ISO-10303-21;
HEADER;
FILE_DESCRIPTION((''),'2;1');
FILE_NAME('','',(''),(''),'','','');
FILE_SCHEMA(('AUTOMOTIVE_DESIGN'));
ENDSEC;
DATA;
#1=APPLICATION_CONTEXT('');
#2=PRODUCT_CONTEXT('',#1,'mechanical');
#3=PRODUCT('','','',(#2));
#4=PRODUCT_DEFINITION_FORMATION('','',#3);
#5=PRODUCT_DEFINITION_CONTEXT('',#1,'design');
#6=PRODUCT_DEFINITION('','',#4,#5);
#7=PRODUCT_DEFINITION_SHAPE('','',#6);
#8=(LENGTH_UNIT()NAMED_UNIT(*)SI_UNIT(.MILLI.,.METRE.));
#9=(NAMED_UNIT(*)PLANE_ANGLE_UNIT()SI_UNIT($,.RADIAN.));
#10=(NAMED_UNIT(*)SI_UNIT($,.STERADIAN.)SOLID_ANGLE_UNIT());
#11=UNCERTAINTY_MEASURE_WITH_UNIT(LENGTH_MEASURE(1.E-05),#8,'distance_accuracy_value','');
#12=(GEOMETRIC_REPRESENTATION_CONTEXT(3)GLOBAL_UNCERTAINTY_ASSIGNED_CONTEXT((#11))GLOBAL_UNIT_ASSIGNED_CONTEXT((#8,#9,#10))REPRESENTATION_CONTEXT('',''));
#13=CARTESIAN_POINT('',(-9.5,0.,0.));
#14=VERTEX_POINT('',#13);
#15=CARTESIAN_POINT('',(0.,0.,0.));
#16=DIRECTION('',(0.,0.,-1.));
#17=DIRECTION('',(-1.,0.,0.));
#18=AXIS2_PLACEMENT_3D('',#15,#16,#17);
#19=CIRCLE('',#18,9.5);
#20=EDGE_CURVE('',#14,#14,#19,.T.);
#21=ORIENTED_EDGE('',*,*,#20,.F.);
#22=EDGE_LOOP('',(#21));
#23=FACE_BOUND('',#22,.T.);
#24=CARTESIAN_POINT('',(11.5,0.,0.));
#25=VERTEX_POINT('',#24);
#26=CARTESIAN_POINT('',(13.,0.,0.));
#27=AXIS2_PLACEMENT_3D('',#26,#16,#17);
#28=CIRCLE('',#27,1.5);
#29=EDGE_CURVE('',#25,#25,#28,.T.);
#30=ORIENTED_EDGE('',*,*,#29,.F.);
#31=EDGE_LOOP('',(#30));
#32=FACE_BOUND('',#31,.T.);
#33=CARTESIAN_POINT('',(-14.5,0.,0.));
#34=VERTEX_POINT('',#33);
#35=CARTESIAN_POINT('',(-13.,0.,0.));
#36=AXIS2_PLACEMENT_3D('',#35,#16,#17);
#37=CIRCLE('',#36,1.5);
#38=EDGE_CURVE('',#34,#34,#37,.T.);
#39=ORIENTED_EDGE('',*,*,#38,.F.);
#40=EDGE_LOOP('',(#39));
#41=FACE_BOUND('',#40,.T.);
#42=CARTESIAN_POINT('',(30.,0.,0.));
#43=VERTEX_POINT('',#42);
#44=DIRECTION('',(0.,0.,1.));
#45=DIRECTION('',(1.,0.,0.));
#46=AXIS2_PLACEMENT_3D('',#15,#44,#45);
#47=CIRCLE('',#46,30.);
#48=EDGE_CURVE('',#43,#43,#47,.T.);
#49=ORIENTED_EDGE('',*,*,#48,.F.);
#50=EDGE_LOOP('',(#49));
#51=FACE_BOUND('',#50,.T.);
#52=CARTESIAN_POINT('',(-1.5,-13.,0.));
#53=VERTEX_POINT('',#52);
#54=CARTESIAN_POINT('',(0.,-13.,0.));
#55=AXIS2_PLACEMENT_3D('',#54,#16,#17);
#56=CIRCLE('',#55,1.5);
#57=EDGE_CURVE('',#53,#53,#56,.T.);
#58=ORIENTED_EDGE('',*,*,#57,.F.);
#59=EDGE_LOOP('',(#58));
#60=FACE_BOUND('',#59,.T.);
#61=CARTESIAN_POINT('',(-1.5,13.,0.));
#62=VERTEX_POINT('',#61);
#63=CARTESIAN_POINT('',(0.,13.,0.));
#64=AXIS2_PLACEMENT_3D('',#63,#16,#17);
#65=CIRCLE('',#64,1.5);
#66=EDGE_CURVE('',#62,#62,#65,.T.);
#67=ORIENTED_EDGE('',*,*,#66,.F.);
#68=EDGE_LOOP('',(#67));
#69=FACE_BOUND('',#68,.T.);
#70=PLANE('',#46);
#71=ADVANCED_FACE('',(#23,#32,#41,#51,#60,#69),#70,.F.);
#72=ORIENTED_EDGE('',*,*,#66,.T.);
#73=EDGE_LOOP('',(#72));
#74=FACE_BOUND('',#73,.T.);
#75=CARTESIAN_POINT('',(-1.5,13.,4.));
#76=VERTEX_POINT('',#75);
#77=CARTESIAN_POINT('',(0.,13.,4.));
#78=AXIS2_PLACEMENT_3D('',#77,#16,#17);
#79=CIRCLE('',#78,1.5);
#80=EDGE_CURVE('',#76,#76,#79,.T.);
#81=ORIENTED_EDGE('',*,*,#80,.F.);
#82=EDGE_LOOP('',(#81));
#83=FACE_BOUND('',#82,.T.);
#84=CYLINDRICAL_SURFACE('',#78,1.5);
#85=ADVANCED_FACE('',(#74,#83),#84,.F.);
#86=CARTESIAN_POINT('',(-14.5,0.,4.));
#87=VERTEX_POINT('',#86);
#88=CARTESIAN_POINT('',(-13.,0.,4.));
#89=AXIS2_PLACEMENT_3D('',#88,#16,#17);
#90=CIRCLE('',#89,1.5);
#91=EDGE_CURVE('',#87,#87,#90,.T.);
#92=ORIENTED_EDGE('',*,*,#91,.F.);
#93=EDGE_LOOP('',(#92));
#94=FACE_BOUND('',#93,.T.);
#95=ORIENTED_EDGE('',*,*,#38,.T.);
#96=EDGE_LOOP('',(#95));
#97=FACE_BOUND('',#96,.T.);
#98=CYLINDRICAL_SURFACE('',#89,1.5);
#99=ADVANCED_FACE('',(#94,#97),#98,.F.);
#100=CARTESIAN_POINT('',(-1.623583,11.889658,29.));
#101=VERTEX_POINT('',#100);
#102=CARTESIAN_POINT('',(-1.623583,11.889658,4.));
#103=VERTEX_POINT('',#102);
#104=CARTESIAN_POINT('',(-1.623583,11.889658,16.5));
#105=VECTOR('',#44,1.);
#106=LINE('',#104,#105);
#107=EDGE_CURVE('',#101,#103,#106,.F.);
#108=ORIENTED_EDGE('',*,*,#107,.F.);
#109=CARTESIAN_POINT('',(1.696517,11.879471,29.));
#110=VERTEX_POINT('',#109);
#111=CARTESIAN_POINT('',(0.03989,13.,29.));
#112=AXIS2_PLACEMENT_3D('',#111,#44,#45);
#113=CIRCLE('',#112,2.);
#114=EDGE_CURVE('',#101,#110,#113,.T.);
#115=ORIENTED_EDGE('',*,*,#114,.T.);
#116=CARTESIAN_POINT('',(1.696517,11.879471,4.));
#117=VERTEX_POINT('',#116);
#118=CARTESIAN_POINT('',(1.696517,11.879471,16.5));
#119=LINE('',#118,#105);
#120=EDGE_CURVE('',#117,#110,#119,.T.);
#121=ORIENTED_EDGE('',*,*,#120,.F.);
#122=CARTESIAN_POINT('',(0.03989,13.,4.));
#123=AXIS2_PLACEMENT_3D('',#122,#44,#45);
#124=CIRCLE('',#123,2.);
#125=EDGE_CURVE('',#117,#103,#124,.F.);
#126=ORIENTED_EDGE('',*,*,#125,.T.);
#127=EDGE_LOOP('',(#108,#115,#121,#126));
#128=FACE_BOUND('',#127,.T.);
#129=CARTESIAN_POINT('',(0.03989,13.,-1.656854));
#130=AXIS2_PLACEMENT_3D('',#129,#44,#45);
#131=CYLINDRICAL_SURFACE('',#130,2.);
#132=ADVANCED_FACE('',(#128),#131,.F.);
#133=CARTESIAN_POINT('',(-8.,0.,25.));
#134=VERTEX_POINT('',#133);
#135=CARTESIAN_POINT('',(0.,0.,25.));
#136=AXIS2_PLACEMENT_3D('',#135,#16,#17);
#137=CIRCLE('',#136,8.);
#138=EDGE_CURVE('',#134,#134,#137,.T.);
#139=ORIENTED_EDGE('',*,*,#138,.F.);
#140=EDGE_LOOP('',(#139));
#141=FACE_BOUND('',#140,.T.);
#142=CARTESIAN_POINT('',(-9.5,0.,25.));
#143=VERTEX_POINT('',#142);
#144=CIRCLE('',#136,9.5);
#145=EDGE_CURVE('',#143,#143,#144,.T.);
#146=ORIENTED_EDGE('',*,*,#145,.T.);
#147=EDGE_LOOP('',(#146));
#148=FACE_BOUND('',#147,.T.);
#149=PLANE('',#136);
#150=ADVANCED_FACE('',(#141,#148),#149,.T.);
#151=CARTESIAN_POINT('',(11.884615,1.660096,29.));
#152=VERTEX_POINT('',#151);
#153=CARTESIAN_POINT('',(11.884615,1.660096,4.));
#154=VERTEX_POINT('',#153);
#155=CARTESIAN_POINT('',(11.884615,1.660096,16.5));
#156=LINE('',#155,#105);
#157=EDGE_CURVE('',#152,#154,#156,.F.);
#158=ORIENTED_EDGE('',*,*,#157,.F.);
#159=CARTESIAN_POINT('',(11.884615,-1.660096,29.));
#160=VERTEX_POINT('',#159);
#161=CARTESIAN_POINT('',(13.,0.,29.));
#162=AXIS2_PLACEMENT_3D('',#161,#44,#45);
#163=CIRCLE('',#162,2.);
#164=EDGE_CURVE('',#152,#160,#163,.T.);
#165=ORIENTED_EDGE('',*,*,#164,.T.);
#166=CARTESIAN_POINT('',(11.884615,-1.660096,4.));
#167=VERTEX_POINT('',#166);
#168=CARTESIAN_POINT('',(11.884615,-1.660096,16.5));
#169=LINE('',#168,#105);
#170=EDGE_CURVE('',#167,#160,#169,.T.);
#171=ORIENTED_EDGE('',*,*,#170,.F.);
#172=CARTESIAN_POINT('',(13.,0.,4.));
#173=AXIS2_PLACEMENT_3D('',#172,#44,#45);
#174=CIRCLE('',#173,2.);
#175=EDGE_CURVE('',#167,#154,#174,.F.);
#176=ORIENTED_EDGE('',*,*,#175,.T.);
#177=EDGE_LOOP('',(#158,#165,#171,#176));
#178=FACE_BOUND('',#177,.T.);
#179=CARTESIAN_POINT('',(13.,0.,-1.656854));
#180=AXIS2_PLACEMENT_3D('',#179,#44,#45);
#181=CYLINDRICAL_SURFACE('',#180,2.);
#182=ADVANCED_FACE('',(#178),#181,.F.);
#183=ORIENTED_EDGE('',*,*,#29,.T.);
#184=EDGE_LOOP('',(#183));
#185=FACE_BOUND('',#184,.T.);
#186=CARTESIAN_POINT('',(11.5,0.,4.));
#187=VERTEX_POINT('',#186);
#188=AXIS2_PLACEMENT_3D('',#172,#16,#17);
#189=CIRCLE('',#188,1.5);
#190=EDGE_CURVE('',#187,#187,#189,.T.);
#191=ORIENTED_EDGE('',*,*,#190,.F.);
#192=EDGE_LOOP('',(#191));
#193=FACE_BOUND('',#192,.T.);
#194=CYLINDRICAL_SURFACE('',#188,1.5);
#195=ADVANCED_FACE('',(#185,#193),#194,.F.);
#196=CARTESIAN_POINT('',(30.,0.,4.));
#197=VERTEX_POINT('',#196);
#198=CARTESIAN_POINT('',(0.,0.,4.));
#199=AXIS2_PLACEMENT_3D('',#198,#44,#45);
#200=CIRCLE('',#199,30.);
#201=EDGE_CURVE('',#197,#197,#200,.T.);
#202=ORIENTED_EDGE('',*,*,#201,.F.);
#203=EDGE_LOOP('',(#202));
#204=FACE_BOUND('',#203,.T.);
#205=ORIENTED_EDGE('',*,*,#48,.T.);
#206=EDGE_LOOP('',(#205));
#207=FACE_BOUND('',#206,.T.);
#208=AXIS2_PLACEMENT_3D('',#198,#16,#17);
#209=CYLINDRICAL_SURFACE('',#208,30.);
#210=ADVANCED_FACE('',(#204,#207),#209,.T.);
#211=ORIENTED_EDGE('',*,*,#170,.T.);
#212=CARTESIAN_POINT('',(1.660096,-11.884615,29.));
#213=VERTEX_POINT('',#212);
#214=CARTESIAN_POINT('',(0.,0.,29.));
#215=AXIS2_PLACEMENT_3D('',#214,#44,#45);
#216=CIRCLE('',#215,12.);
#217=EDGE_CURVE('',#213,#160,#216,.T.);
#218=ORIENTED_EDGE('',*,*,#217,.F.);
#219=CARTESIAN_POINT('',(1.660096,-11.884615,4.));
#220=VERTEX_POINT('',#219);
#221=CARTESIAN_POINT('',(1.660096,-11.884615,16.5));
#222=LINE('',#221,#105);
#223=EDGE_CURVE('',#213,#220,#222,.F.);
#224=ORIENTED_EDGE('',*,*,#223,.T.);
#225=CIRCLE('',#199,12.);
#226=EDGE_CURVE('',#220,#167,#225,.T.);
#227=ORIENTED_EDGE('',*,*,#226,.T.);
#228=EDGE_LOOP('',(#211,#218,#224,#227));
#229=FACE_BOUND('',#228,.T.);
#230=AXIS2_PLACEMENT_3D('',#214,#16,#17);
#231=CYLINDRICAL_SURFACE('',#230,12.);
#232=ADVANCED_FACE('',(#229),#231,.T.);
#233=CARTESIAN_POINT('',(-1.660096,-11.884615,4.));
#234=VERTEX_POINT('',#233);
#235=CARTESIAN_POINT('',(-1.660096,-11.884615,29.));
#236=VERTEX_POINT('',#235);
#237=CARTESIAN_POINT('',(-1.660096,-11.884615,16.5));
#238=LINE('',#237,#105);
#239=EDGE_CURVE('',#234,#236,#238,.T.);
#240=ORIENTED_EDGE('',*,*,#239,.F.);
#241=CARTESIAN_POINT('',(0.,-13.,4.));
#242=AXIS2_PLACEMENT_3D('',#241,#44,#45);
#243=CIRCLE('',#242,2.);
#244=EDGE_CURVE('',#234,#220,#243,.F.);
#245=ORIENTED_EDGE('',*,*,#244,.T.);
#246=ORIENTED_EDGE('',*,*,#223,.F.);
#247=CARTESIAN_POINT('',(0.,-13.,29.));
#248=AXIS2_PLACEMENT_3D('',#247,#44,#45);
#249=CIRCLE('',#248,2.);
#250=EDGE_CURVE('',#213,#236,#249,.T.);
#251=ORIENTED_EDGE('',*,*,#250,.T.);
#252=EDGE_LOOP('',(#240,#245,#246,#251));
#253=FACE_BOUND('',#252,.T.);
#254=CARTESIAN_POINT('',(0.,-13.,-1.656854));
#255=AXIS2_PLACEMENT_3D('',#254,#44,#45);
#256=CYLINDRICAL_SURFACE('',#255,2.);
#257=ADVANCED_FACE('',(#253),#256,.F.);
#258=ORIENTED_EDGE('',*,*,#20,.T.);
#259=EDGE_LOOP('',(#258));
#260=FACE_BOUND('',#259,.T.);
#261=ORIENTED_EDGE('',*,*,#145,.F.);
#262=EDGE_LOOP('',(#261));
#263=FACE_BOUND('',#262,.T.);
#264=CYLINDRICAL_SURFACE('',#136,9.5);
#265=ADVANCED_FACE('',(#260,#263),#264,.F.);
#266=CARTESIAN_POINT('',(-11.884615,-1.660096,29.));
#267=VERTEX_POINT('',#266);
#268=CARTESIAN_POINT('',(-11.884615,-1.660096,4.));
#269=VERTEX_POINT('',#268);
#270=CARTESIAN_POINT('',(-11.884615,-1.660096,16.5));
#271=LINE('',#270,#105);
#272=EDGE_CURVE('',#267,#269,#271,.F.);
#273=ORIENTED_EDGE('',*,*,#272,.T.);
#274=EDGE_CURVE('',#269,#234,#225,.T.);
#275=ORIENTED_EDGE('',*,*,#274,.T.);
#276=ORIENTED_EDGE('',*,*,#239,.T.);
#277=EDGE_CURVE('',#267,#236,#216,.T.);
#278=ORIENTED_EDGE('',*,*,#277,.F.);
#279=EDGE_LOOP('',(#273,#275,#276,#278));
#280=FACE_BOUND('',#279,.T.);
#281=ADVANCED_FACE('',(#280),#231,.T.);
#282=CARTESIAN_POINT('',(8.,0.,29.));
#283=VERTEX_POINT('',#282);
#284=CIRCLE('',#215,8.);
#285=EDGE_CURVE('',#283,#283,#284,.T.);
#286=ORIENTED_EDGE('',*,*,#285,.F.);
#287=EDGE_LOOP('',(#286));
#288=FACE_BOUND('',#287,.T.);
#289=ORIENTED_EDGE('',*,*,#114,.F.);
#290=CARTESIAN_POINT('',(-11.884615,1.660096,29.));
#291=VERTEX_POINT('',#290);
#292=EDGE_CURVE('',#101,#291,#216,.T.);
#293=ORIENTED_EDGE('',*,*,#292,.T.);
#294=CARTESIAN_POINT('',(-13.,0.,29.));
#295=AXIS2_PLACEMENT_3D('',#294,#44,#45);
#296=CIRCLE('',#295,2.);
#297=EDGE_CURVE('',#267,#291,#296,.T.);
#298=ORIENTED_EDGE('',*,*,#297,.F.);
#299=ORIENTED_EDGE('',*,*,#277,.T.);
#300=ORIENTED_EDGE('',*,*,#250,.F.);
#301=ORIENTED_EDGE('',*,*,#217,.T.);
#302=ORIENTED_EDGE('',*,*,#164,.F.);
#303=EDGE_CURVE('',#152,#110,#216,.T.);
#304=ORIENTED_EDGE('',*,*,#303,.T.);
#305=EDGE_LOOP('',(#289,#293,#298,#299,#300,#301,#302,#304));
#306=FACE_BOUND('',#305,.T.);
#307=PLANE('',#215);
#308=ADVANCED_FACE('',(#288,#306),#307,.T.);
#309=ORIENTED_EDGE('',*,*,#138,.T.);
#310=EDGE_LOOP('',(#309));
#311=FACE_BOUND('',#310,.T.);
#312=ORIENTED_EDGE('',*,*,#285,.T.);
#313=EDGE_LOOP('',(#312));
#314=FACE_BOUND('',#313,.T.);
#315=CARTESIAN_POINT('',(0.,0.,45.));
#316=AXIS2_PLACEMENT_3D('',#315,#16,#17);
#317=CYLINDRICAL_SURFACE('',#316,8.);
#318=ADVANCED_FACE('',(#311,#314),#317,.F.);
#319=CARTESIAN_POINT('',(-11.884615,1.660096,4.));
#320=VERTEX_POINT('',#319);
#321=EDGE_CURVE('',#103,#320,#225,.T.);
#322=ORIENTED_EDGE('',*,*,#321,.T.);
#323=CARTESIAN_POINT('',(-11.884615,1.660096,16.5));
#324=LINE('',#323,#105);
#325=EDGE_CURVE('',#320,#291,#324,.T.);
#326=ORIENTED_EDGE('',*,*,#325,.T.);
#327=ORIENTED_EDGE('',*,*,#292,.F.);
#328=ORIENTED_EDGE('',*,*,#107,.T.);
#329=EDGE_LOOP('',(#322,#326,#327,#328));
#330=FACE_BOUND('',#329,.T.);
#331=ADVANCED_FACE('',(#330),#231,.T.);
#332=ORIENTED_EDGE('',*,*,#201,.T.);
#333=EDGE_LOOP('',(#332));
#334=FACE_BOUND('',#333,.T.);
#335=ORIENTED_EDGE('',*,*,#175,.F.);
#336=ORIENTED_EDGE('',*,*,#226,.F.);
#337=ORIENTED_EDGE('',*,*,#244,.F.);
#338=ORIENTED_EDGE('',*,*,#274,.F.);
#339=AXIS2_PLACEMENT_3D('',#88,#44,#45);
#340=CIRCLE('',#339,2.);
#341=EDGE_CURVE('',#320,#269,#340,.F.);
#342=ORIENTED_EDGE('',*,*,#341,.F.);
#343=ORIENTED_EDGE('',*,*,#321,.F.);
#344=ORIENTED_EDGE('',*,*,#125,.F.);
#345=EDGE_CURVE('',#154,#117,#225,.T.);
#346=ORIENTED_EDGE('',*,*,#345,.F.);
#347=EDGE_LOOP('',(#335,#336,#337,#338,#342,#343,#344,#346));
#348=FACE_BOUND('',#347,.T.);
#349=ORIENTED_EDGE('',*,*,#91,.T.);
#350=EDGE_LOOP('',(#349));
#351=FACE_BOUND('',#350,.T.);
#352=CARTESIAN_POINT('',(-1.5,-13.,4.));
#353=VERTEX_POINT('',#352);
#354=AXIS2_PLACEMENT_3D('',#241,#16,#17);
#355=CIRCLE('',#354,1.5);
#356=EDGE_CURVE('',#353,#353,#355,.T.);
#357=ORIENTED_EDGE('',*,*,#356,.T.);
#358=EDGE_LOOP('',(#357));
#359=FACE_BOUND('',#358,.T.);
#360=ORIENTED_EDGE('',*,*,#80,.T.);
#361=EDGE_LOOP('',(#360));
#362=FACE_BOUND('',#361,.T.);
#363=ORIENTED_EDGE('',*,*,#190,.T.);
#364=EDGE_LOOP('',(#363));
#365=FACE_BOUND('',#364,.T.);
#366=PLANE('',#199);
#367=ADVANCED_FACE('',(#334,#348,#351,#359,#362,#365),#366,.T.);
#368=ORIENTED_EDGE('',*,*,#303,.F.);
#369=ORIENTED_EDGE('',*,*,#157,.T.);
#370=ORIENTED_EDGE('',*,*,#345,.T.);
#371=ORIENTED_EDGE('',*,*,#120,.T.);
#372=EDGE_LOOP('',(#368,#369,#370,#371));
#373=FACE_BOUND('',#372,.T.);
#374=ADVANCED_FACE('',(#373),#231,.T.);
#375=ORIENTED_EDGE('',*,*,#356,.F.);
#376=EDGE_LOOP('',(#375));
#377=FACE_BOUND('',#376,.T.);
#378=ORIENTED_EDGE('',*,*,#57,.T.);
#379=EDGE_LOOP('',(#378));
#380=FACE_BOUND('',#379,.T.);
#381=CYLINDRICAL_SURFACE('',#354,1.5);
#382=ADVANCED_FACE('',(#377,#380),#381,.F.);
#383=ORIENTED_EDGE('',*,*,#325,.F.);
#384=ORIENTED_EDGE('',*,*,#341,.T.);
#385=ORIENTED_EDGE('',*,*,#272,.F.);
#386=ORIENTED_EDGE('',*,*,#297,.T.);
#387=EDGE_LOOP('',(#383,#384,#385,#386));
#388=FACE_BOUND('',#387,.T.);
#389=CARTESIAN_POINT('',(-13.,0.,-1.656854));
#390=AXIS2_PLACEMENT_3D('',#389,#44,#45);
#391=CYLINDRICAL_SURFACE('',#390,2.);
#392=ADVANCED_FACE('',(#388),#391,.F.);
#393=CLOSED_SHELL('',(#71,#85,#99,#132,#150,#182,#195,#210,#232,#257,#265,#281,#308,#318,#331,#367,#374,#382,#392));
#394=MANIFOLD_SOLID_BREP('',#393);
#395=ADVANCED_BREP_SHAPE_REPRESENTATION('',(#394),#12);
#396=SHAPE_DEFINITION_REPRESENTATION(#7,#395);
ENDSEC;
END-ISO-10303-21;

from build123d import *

# Parameters (mm, degrees)
SKETCH2_R           = 30
BOSS_EXTRUDE1_DEPTH = 4
SKETCH3_R           = 12
BOSS_EXTRUDE2_DEPTH = 25
SKETCH4_R           = 9.5
CUT_EXTRUDE1_DEPTH  = 25
SKETCH5_R           = 8
CUT_EXTRUDE2_DEPTH  = 20
SKETCH6_R           = 1.5
CUT_EXTRUDE10_DEPTH = 4
SKETCH8_R           = 2
CUT_EXTRUDE14_DEPTH = 25


with BuildPart() as part:
    # Sketch2 → Boss-Extrude1 (new body)
    with BuildSketch(Plane.XY):
        Circle(SKETCH2_R)
    extrude(amount=BOSS_EXTRUDE1_DEPTH)

    # Sketch3 → Boss-Extrude2 (add)
    with BuildSketch(Plane.XY.offset(4)):
        Circle(SKETCH3_R)
    extrude(amount=BOSS_EXTRUDE2_DEPTH)

    # Sketch4 → Cut-Extrude1 (cut)
    with BuildSketch(Plane(origin=(0, 0, 0), x_dir=(-1, 0, 0), z_dir=(0, 0, -1))):
        Circle(SKETCH4_R)
    extrude(amount=-CUT_EXTRUDE1_DEPTH, mode=Mode.SUBTRACT)

    # Sketch5 → Cut-Extrude2 (cut)
    with BuildSketch(Plane(origin=(0, 0, 25), x_dir=(-1, 0, 0), z_dir=(0, 0, -1))):
        Circle(SKETCH5_R)
    extrude(amount=-CUT_EXTRUDE2_DEPTH, mode=Mode.SUBTRACT)

    # Sketch6 → Cut-Extrude10 (cut)
    with BuildSketch(Plane(origin=(0, 0, 0), x_dir=(-1, 0, 0), z_dir=(0, 0, -1))):
        with Locations((0, 13)):
            Circle(SKETCH6_R)
        with Locations((13, 0)):
            Circle(SKETCH6_R)
        with Locations((0, -13)):
            Circle(SKETCH6_R)
        with Locations((-13, 0)):
            Circle(SKETCH6_R)
    extrude(amount=-CUT_EXTRUDE10_DEPTH, mode=Mode.SUBTRACT)

    # Sketch8 → Cut-Extrude14 (cut)
    with BuildSketch(Plane.XY.offset(29)):
        with Locations((0.039889562, 13)):
            Circle(SKETCH8_R)
        with Locations((0, -13)):
            Circle(SKETCH8_R)
        with Locations((13, 0)):
            Circle(SKETCH8_R)
        with Locations((-13, 0)):
            Circle(SKETCH8_R)
    extrude(amount=-CUT_EXTRUDE14_DEPTH, mode=Mode.SUBTRACT)


solid = part.part
